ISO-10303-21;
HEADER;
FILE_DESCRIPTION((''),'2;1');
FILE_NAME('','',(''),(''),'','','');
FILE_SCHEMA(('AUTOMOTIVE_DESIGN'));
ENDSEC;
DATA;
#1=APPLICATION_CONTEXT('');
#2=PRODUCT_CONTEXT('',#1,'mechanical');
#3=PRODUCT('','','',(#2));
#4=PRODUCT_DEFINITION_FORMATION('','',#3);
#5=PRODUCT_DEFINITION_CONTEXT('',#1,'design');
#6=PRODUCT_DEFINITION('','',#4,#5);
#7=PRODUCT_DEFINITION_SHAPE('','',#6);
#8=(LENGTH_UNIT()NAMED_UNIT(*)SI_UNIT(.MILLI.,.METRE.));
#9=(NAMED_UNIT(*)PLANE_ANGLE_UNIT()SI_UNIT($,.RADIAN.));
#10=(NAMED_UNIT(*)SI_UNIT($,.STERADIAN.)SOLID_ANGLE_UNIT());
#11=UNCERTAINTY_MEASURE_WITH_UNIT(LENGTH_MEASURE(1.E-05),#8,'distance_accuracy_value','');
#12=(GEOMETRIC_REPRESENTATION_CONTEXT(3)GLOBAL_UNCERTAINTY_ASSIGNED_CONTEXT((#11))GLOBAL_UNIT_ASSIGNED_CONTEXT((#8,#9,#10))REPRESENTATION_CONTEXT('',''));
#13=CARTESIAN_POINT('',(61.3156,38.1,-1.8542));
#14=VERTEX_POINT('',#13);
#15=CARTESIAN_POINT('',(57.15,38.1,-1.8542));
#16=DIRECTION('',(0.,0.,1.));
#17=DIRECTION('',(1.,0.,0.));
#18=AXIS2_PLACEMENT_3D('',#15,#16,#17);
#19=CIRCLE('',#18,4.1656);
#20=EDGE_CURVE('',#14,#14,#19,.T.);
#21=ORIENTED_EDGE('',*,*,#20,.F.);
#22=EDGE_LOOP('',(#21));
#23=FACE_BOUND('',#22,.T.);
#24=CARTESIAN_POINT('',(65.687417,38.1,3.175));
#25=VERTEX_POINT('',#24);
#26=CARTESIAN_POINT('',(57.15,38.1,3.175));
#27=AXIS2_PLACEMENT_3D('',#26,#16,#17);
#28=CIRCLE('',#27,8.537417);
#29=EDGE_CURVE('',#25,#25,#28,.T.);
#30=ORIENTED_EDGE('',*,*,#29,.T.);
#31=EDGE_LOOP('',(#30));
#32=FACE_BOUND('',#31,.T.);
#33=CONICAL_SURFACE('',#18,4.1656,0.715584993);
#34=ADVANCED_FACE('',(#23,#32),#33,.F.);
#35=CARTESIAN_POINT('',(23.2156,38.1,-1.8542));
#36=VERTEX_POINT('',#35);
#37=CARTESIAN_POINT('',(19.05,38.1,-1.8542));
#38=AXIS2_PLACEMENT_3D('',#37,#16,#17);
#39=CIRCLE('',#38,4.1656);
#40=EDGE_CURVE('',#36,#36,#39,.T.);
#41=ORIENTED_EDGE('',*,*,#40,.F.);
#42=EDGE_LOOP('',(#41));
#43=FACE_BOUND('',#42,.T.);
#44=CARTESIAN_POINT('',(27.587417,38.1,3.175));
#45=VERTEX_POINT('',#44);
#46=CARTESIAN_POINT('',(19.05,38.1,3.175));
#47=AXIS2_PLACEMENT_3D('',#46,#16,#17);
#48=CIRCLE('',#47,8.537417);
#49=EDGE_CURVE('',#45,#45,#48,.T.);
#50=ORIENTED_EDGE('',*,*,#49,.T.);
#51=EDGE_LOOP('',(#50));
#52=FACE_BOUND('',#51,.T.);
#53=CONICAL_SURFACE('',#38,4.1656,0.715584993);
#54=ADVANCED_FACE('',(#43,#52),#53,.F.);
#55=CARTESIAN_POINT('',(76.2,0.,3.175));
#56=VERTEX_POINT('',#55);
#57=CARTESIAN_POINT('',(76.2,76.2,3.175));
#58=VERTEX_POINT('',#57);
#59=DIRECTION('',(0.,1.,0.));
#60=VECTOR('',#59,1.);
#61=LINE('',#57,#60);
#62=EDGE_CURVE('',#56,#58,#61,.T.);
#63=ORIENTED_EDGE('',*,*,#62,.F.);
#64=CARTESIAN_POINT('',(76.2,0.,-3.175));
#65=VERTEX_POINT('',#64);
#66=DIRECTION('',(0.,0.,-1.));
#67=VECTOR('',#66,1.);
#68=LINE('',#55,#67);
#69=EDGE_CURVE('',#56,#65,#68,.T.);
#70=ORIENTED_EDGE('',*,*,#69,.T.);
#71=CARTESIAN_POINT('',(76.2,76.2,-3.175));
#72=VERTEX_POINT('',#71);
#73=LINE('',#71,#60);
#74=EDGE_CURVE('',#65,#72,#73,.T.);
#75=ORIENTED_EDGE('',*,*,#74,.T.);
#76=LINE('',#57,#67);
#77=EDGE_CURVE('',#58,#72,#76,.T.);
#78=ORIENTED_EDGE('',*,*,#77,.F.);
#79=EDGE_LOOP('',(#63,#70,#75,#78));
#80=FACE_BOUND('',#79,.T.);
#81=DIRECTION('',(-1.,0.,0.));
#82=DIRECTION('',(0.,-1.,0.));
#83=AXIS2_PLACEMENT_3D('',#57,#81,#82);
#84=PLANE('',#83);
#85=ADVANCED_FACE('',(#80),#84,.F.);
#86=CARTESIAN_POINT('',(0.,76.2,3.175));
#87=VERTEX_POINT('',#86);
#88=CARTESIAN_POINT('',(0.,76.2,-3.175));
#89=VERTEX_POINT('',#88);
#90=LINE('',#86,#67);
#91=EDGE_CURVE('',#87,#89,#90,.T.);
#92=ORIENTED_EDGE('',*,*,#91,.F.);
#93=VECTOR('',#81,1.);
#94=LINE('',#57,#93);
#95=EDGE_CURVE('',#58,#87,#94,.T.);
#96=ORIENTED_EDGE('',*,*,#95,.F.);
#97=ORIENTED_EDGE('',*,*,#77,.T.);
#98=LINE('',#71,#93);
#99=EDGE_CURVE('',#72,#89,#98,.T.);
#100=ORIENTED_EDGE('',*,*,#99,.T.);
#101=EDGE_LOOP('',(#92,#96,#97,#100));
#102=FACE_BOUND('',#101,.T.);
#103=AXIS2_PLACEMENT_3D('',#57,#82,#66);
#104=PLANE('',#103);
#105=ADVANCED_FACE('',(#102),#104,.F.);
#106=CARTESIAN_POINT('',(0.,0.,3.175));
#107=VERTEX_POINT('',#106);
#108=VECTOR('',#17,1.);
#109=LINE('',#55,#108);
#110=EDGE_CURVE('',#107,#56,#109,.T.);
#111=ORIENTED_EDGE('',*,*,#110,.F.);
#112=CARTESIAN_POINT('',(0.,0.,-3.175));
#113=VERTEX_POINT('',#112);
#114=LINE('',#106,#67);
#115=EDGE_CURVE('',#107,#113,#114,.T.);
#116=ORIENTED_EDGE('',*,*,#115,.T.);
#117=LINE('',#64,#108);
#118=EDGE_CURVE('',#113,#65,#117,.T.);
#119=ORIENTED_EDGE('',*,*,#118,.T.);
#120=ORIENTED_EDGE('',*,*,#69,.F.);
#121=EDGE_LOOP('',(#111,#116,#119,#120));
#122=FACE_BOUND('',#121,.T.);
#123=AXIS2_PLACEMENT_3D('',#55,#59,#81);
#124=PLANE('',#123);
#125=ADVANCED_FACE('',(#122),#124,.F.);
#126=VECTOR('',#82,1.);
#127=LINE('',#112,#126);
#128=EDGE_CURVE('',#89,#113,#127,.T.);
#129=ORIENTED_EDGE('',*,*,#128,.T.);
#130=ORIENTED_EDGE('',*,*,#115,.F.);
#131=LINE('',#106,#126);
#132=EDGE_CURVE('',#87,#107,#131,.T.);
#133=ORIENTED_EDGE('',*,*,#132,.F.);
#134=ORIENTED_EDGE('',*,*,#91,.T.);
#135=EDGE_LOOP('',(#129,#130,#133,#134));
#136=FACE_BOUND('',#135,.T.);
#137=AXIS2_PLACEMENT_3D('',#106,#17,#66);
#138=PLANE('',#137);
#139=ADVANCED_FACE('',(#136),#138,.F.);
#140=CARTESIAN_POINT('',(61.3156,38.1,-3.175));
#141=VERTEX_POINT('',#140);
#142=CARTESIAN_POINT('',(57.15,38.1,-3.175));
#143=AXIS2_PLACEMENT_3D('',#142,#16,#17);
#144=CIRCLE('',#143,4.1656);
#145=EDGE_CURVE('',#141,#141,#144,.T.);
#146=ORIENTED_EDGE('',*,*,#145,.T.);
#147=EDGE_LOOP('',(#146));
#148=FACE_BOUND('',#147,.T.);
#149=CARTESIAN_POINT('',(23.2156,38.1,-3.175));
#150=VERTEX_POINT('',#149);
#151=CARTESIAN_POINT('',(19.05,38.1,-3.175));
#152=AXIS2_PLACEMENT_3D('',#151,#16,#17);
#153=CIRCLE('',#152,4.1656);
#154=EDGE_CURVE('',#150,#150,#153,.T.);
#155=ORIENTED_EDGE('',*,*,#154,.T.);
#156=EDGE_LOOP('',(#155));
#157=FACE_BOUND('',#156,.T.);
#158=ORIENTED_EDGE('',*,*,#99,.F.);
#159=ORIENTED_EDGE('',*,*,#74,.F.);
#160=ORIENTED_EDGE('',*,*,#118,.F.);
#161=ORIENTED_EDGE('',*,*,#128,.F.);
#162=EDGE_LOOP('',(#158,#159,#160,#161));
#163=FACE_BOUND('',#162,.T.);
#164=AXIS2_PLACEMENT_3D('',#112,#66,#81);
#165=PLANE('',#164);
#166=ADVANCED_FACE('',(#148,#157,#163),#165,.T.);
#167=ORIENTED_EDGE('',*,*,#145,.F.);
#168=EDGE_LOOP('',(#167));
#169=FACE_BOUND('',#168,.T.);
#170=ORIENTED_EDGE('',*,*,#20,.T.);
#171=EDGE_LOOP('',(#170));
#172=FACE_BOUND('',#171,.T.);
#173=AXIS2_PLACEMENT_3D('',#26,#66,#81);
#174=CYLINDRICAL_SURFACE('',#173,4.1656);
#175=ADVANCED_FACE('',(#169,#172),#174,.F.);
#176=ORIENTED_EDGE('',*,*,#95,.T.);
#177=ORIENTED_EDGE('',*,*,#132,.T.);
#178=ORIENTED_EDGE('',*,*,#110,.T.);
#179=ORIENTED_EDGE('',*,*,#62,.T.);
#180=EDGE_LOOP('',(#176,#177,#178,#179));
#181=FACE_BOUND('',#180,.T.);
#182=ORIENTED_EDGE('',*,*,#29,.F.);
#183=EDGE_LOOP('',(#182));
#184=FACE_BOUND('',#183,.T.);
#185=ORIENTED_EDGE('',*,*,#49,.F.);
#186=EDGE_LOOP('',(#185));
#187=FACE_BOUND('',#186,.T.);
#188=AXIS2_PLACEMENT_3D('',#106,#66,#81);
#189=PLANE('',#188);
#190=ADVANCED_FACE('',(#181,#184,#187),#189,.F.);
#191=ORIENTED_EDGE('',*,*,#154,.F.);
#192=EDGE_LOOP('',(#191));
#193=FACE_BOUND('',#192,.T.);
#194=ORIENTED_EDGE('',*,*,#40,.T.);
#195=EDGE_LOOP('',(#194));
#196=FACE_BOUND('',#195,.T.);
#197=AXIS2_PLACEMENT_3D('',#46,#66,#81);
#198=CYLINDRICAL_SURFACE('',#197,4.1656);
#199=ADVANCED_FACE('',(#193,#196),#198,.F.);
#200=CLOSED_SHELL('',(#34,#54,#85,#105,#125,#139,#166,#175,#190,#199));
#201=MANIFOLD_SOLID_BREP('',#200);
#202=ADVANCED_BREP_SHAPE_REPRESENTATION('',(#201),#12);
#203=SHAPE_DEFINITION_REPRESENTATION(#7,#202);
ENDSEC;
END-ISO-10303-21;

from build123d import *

# Parameters (mm, degrees)
SKETCH1_W           = 76.2
SKETCH1_H           = 76.2
SKETCH1_R           = 4.1656
BOSS_EXTRUDE1_DEPTH = 3.175
CUT_EXTRUDE1_START  = -5.0292
SKETCH2_R           = 4.1656
CUT_EXTRUDE1_DEPTH  = 6.0292
CUT_EXTRUDE1_TAPER  = -41


with BuildPart() as part:
    # Sketch1 → Boss-Extrude1 (new body, symmetric)
    with BuildSketch(Plane.XY):
        with Locations((38.1, 38.1)):
            Rectangle(SKETCH1_W, SKETCH1_H)
        with Locations((19.05, 38.1)):
            Circle(SKETCH1_R, mode=Mode.SUBTRACT)
        with Locations((57.15, 38.1)):
            Circle(SKETCH1_R, mode=Mode.SUBTRACT)
    extrude(amount=BOSS_EXTRUDE1_DEPTH, both=True)

    # Sketch2 → Cut-Extrude1 (cut, through all)
    with BuildSketch(Plane.XY.offset(3.175).offset(CUT_EXTRUDE1_START)):
        with Locations((19.05, 38.1)):
            Circle(SKETCH2_R)
        with Locations((57.15, 38.1)):
            Circle(SKETCH2_R)
    extrude(amount=CUT_EXTRUDE1_DEPTH, taper=CUT_EXTRUDE1_TAPER, mode=Mode.SUBTRACT)


solid = part.part
